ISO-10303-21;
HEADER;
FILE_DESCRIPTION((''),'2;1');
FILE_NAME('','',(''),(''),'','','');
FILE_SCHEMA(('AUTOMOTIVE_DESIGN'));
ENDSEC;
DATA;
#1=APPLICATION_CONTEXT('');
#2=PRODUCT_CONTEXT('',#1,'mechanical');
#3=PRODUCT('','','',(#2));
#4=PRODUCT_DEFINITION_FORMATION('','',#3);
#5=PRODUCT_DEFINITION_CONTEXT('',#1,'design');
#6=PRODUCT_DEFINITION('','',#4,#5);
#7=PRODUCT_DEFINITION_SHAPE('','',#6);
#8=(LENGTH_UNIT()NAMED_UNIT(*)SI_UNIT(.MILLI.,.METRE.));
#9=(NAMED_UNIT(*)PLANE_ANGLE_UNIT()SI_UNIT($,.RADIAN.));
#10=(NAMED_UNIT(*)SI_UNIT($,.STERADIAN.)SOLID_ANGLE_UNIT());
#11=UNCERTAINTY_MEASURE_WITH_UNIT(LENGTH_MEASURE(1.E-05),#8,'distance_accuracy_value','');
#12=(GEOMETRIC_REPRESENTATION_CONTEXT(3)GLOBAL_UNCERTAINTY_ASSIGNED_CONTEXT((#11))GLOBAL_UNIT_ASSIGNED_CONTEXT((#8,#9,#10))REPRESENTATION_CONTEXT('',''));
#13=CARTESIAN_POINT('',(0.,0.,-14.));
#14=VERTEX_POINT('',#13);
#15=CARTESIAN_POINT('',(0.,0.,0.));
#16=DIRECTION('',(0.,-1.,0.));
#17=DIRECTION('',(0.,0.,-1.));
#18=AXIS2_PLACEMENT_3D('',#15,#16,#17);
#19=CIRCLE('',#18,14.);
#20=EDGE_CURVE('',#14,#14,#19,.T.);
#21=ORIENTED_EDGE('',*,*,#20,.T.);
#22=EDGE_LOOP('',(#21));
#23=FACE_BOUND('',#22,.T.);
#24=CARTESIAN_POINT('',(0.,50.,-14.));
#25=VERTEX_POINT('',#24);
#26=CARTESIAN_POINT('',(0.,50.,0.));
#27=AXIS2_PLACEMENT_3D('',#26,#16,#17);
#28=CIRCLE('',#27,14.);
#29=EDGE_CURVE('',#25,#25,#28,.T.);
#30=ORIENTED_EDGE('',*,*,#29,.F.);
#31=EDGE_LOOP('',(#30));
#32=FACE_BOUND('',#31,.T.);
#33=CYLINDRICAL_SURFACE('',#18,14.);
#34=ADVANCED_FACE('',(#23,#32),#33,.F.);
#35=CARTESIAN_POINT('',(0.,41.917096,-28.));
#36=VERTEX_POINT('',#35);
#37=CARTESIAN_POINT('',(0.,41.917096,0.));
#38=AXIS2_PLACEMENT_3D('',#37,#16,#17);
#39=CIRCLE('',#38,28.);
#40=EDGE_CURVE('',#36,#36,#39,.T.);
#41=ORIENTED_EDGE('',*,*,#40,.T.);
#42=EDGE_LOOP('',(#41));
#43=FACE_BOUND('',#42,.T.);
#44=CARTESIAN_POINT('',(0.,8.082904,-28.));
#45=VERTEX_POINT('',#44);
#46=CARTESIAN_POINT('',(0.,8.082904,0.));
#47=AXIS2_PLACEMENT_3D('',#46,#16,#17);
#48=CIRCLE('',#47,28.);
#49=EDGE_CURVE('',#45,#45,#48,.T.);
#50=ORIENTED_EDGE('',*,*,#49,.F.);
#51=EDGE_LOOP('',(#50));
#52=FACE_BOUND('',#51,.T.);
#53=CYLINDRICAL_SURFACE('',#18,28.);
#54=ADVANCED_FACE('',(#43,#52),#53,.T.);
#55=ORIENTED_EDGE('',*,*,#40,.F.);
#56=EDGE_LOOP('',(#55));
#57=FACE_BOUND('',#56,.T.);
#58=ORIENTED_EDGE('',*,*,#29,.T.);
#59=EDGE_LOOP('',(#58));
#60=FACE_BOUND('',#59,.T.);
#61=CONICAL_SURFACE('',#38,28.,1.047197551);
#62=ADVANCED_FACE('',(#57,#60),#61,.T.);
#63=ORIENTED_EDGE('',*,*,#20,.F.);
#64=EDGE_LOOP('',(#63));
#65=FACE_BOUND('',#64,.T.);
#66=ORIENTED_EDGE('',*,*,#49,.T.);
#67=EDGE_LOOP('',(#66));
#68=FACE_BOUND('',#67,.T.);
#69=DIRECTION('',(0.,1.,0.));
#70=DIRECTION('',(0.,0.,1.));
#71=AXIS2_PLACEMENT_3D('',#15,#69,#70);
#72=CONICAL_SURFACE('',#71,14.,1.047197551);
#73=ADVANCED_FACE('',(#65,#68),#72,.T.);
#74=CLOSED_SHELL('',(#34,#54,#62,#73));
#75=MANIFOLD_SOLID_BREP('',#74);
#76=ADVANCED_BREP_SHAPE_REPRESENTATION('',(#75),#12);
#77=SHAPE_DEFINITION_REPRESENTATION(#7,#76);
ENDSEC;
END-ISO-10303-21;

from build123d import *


with BuildPart() as part:
    # Sketch1 → Revolve1 (revolve)
    with BuildSketch(Plane.XY, mode=Mode.PRIVATE) as revolve1_sk:
        Polygon((14, 50), (14, 0), (28, 8.082903769), (28, 41.917096231), align=None)
    revolve(revolve1_sk.sketch.rotate(Axis((0, 0, 0), (0, 1, 0)), 90), axis=Axis((0, 0, 0), (0, 1, 0)))


solid = part.part
